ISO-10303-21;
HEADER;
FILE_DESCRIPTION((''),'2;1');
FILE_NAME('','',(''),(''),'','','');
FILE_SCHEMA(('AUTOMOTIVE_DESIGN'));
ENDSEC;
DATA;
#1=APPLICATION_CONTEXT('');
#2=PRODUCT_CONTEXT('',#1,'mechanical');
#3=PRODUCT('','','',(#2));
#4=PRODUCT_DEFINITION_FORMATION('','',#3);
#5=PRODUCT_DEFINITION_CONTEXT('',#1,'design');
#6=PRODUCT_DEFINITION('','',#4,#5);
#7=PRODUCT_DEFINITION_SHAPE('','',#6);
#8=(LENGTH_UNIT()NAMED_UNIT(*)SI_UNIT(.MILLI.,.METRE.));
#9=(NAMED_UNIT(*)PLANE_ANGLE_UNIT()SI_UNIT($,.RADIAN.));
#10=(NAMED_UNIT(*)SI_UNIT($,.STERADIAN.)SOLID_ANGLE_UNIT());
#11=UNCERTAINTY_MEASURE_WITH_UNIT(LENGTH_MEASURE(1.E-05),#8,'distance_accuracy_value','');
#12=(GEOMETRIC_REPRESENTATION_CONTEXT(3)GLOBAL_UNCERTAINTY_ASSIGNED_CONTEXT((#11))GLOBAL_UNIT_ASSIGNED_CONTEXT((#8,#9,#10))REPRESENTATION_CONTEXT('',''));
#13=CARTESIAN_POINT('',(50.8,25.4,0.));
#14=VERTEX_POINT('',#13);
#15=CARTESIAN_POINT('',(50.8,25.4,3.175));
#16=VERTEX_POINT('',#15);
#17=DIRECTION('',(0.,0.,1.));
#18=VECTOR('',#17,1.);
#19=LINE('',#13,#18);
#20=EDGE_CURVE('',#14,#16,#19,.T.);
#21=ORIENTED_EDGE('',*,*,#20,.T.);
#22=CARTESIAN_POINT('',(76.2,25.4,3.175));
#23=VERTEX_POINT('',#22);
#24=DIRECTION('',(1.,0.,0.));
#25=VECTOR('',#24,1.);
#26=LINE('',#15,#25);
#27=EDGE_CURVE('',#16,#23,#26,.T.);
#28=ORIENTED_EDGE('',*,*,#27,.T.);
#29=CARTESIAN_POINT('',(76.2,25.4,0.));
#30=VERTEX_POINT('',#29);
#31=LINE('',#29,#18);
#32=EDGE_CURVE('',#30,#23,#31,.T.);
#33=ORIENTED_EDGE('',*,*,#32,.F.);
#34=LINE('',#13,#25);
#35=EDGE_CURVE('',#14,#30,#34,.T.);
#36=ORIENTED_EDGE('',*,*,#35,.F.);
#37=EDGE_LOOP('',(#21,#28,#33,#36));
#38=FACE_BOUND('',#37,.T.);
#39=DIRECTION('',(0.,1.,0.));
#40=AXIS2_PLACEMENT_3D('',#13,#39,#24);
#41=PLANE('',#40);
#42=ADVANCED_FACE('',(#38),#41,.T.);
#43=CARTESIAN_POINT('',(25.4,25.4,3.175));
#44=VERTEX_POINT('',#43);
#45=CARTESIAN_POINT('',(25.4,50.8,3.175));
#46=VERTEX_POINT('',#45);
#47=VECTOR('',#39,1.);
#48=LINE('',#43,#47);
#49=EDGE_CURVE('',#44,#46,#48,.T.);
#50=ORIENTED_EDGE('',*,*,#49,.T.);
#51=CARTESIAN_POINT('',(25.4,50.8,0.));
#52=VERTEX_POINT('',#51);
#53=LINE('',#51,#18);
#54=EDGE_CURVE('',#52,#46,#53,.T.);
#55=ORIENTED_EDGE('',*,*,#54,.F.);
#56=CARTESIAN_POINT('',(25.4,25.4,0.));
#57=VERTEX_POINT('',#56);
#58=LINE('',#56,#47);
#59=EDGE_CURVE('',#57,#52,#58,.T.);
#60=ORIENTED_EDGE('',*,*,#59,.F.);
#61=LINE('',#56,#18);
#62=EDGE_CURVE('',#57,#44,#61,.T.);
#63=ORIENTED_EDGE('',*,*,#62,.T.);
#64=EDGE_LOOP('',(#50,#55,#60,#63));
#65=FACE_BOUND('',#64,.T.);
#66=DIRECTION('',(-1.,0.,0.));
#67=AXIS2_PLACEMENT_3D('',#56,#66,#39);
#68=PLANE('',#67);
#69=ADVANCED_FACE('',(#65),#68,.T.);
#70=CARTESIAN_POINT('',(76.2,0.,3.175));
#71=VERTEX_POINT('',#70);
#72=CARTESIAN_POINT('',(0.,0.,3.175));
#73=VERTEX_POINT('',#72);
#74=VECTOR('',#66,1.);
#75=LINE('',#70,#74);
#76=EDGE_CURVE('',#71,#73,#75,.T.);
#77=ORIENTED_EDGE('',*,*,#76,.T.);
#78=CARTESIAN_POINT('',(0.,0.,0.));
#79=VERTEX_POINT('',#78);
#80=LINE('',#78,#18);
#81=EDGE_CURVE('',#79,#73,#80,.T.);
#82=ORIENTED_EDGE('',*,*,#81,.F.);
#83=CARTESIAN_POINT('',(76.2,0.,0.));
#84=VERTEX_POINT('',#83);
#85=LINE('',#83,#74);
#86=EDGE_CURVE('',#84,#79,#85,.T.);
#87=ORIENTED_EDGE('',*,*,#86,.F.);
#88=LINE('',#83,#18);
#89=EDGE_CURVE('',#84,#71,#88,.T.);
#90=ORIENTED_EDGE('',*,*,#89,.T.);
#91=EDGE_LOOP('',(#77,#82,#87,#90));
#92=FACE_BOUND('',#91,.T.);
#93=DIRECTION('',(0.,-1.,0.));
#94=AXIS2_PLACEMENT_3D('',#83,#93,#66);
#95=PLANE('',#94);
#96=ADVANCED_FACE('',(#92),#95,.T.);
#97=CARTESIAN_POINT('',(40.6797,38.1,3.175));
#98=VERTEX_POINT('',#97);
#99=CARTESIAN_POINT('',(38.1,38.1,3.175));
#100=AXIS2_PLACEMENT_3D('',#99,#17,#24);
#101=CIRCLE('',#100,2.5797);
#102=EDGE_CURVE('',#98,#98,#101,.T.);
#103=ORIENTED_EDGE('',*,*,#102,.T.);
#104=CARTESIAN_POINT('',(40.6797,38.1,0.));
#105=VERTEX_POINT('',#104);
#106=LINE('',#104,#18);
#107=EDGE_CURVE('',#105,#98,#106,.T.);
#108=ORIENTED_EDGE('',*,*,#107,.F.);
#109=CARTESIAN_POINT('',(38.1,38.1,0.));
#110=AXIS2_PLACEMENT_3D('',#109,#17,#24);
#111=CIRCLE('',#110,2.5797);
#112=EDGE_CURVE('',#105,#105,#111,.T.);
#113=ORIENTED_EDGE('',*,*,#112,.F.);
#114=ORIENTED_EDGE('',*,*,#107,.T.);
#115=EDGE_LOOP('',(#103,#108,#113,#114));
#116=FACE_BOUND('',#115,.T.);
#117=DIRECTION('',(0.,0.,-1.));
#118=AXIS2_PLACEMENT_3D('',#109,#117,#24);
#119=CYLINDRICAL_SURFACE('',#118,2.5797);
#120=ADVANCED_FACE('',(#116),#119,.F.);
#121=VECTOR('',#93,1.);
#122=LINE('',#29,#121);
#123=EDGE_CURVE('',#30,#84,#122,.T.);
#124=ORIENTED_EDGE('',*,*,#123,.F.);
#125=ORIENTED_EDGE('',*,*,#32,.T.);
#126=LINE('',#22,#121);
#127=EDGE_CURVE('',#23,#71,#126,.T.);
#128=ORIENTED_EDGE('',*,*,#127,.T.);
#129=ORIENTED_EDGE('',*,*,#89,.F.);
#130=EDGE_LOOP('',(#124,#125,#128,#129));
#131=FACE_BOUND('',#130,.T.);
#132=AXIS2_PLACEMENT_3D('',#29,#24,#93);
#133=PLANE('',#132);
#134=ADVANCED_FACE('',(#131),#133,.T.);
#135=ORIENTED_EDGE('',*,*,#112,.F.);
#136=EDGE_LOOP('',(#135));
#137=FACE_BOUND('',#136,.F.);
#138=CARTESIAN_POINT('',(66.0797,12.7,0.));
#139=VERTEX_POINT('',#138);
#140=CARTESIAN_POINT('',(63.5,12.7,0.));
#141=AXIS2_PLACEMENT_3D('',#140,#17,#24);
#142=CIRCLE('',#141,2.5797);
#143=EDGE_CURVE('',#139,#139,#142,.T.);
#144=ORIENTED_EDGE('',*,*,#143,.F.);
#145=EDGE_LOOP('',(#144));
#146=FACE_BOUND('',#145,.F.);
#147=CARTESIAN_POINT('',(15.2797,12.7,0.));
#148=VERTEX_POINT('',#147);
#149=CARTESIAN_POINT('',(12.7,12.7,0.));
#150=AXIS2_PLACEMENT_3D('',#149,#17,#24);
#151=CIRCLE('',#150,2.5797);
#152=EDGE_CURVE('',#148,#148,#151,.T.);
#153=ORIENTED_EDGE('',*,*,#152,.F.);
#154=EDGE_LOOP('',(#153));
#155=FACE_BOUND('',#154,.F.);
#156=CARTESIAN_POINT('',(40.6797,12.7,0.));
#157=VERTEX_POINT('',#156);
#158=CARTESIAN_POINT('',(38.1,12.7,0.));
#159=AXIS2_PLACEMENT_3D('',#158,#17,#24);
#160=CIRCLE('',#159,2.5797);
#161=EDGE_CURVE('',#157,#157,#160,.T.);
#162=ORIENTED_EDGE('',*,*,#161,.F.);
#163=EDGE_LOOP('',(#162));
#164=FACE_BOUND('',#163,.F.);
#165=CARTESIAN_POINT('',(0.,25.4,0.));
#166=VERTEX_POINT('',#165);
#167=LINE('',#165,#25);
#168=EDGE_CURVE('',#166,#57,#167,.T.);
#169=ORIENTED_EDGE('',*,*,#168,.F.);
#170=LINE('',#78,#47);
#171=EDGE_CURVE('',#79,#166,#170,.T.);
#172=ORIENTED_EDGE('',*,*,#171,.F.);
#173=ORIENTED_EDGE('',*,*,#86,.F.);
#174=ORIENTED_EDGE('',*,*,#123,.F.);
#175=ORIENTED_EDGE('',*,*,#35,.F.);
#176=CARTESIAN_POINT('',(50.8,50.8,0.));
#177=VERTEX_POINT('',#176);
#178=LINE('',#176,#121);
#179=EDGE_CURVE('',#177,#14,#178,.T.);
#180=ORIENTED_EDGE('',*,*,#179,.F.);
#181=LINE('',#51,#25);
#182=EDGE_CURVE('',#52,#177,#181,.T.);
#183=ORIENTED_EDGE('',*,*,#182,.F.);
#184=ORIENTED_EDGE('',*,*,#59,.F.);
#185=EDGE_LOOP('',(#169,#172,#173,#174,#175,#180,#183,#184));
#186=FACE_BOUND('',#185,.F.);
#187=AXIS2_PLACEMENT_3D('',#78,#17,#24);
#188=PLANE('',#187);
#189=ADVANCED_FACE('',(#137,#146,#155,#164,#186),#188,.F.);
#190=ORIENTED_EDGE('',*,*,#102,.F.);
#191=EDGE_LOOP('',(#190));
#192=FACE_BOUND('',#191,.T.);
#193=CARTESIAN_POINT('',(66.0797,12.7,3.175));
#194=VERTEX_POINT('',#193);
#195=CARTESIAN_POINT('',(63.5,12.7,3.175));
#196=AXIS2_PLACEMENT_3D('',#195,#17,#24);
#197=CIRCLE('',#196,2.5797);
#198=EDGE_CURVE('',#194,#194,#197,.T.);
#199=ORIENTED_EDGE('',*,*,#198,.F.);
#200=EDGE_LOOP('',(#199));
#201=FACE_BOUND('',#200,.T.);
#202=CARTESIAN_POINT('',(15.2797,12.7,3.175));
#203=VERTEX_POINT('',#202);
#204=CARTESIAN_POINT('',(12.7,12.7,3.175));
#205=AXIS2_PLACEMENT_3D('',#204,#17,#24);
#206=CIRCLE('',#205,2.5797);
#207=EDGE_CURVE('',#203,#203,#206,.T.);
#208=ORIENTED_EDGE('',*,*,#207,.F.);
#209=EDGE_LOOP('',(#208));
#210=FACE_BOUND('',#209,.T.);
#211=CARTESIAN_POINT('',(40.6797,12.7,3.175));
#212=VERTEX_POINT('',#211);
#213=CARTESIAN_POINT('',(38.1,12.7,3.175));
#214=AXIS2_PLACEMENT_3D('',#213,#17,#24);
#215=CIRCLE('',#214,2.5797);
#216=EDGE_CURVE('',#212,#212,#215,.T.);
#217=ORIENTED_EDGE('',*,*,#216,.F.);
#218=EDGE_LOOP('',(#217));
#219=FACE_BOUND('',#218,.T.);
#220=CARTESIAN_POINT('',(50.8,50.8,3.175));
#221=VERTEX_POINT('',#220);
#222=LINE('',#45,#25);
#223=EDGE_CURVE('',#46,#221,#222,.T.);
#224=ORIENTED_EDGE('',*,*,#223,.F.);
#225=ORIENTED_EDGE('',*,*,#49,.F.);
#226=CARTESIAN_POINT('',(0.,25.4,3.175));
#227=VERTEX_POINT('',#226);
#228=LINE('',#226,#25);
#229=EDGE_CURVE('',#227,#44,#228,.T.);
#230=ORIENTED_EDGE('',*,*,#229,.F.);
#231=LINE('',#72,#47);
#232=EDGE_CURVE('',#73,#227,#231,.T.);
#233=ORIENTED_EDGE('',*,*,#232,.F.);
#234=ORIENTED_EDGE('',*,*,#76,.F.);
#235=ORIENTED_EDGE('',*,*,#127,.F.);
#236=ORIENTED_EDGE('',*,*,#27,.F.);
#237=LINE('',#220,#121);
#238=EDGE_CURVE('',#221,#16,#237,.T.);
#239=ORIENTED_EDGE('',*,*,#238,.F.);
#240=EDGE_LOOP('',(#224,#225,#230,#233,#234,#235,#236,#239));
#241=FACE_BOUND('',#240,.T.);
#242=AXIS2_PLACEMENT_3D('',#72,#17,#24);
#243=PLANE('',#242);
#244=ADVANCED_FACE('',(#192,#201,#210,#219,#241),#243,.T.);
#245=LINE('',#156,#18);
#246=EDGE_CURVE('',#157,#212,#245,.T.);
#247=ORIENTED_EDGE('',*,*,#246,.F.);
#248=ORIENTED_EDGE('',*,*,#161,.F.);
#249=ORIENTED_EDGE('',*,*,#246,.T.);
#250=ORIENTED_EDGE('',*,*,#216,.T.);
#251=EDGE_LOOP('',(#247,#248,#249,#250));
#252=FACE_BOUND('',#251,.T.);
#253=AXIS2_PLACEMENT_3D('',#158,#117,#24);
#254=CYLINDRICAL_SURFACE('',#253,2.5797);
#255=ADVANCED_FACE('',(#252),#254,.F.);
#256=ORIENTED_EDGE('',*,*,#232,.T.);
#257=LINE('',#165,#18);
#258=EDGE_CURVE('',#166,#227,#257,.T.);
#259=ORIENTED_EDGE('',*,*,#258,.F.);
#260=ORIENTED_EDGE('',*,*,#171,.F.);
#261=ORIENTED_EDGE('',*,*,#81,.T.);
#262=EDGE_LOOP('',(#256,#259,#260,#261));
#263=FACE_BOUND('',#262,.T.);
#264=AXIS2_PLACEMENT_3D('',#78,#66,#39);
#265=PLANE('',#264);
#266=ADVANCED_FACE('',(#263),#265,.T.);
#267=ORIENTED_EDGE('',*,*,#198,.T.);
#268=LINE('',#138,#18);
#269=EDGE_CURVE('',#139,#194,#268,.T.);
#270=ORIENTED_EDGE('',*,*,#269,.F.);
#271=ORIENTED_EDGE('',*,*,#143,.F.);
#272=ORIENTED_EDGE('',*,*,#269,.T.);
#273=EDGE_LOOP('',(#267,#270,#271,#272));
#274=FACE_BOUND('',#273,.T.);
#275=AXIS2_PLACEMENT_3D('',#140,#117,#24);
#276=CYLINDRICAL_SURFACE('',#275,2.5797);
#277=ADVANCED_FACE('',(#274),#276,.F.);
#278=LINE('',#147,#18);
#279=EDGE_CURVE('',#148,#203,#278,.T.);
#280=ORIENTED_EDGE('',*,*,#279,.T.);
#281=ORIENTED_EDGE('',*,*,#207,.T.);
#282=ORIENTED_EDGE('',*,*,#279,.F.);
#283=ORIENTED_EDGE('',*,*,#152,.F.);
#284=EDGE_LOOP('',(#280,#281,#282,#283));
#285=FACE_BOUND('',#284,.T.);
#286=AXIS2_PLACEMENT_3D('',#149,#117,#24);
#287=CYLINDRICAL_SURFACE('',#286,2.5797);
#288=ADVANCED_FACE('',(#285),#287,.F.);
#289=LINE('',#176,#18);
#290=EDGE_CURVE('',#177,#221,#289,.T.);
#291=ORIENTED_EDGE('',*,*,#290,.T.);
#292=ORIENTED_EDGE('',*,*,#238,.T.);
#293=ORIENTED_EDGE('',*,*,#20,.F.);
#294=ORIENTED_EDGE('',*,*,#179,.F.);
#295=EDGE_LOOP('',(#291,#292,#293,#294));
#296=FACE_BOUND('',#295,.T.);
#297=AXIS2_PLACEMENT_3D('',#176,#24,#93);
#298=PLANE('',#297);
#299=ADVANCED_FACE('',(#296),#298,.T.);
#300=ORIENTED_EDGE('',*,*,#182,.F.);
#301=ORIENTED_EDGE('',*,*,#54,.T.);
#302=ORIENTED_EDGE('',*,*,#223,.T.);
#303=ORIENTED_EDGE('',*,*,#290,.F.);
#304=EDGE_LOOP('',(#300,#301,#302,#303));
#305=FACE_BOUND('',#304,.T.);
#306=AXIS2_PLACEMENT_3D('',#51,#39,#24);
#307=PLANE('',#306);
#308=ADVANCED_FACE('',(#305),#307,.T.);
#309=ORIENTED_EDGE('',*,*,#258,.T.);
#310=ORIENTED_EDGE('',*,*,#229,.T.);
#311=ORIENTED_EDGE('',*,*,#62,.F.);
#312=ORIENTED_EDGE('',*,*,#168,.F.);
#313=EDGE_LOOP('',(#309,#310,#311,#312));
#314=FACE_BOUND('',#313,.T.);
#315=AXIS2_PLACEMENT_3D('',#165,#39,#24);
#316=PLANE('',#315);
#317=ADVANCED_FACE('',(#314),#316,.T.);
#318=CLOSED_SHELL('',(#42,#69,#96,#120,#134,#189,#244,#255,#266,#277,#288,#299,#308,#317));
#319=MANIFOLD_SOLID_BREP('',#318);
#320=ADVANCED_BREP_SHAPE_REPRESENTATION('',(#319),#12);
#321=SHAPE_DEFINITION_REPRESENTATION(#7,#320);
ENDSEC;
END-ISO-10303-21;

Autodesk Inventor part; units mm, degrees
ref_plane "YZ Plane" through (0, 0, 0) normal (1, 0, 0) x (0, 1, 0)
ref_plane "XZ Plane" through (0, 0, 0) normal (0, 1, 0) x (-1, 0, 0)
ref_plane "XY Plane" through (0, 0, 0) normal (0, 0, 1) x (1, 0, 0)
sketch "Sketch1" plane through (0, 0, 0) normal (0, 0, 1) x (1, 0, 0)
  line L0 (0, 0) -> (0, 25.4)
  line L1 (0, 25.4) -> (25.4, 25.4)
  line L2 (25.4, 25.4) -> (25.4, 50.8)
  line L3 (25.4, 50.8) -> (50.8, 50.8)
  line L4 (50.8, 50.8) -> (50.8, 25.4)
  line L5 (50.8, 25.4) -> (76.2, 25.4)
  line L6 (76.2, 25.4) -> (76.2, 0)
  line L7 (76.2, 0) -> (0, 0)
  line L8 (0, 12.7) -> (12.7, 12.7) construction
  line L9 (12.7, 12.7) -> (38.1, 12.7) construction
  line L10 (38.1, 12.7) -> (63.5, 12.7) construction
  line L11 (38.1, 12.7) -> (38.1, 38.1) construction
  circle A0 centre (38.1, 12.7) radius 2.5797
  circle A1 centre (63.5, 12.7) radius 2.5797
  circle A2 centre (12.7, 12.7) radius 2.5797
  circle A3 centre (38.1, 38.1) radius 2.5797
  dimension "d0" = 25.4
  dimension "d1" = 25.4
  dimension "d2" = 25.4
  dimension "d3" = 25.4
  dimension "d4" = 25.4
  dimension "d5" = 25.4
  dimension "d6" = 12.7
  dimension "d7" = 25.4
  dimension "d8" = 25.4
  dimension "d9" = 5.1594
extrude "Extrusion1" add sketch "Sketch1" along normal blind 3.175
properties part number "Short T-Gusset"
